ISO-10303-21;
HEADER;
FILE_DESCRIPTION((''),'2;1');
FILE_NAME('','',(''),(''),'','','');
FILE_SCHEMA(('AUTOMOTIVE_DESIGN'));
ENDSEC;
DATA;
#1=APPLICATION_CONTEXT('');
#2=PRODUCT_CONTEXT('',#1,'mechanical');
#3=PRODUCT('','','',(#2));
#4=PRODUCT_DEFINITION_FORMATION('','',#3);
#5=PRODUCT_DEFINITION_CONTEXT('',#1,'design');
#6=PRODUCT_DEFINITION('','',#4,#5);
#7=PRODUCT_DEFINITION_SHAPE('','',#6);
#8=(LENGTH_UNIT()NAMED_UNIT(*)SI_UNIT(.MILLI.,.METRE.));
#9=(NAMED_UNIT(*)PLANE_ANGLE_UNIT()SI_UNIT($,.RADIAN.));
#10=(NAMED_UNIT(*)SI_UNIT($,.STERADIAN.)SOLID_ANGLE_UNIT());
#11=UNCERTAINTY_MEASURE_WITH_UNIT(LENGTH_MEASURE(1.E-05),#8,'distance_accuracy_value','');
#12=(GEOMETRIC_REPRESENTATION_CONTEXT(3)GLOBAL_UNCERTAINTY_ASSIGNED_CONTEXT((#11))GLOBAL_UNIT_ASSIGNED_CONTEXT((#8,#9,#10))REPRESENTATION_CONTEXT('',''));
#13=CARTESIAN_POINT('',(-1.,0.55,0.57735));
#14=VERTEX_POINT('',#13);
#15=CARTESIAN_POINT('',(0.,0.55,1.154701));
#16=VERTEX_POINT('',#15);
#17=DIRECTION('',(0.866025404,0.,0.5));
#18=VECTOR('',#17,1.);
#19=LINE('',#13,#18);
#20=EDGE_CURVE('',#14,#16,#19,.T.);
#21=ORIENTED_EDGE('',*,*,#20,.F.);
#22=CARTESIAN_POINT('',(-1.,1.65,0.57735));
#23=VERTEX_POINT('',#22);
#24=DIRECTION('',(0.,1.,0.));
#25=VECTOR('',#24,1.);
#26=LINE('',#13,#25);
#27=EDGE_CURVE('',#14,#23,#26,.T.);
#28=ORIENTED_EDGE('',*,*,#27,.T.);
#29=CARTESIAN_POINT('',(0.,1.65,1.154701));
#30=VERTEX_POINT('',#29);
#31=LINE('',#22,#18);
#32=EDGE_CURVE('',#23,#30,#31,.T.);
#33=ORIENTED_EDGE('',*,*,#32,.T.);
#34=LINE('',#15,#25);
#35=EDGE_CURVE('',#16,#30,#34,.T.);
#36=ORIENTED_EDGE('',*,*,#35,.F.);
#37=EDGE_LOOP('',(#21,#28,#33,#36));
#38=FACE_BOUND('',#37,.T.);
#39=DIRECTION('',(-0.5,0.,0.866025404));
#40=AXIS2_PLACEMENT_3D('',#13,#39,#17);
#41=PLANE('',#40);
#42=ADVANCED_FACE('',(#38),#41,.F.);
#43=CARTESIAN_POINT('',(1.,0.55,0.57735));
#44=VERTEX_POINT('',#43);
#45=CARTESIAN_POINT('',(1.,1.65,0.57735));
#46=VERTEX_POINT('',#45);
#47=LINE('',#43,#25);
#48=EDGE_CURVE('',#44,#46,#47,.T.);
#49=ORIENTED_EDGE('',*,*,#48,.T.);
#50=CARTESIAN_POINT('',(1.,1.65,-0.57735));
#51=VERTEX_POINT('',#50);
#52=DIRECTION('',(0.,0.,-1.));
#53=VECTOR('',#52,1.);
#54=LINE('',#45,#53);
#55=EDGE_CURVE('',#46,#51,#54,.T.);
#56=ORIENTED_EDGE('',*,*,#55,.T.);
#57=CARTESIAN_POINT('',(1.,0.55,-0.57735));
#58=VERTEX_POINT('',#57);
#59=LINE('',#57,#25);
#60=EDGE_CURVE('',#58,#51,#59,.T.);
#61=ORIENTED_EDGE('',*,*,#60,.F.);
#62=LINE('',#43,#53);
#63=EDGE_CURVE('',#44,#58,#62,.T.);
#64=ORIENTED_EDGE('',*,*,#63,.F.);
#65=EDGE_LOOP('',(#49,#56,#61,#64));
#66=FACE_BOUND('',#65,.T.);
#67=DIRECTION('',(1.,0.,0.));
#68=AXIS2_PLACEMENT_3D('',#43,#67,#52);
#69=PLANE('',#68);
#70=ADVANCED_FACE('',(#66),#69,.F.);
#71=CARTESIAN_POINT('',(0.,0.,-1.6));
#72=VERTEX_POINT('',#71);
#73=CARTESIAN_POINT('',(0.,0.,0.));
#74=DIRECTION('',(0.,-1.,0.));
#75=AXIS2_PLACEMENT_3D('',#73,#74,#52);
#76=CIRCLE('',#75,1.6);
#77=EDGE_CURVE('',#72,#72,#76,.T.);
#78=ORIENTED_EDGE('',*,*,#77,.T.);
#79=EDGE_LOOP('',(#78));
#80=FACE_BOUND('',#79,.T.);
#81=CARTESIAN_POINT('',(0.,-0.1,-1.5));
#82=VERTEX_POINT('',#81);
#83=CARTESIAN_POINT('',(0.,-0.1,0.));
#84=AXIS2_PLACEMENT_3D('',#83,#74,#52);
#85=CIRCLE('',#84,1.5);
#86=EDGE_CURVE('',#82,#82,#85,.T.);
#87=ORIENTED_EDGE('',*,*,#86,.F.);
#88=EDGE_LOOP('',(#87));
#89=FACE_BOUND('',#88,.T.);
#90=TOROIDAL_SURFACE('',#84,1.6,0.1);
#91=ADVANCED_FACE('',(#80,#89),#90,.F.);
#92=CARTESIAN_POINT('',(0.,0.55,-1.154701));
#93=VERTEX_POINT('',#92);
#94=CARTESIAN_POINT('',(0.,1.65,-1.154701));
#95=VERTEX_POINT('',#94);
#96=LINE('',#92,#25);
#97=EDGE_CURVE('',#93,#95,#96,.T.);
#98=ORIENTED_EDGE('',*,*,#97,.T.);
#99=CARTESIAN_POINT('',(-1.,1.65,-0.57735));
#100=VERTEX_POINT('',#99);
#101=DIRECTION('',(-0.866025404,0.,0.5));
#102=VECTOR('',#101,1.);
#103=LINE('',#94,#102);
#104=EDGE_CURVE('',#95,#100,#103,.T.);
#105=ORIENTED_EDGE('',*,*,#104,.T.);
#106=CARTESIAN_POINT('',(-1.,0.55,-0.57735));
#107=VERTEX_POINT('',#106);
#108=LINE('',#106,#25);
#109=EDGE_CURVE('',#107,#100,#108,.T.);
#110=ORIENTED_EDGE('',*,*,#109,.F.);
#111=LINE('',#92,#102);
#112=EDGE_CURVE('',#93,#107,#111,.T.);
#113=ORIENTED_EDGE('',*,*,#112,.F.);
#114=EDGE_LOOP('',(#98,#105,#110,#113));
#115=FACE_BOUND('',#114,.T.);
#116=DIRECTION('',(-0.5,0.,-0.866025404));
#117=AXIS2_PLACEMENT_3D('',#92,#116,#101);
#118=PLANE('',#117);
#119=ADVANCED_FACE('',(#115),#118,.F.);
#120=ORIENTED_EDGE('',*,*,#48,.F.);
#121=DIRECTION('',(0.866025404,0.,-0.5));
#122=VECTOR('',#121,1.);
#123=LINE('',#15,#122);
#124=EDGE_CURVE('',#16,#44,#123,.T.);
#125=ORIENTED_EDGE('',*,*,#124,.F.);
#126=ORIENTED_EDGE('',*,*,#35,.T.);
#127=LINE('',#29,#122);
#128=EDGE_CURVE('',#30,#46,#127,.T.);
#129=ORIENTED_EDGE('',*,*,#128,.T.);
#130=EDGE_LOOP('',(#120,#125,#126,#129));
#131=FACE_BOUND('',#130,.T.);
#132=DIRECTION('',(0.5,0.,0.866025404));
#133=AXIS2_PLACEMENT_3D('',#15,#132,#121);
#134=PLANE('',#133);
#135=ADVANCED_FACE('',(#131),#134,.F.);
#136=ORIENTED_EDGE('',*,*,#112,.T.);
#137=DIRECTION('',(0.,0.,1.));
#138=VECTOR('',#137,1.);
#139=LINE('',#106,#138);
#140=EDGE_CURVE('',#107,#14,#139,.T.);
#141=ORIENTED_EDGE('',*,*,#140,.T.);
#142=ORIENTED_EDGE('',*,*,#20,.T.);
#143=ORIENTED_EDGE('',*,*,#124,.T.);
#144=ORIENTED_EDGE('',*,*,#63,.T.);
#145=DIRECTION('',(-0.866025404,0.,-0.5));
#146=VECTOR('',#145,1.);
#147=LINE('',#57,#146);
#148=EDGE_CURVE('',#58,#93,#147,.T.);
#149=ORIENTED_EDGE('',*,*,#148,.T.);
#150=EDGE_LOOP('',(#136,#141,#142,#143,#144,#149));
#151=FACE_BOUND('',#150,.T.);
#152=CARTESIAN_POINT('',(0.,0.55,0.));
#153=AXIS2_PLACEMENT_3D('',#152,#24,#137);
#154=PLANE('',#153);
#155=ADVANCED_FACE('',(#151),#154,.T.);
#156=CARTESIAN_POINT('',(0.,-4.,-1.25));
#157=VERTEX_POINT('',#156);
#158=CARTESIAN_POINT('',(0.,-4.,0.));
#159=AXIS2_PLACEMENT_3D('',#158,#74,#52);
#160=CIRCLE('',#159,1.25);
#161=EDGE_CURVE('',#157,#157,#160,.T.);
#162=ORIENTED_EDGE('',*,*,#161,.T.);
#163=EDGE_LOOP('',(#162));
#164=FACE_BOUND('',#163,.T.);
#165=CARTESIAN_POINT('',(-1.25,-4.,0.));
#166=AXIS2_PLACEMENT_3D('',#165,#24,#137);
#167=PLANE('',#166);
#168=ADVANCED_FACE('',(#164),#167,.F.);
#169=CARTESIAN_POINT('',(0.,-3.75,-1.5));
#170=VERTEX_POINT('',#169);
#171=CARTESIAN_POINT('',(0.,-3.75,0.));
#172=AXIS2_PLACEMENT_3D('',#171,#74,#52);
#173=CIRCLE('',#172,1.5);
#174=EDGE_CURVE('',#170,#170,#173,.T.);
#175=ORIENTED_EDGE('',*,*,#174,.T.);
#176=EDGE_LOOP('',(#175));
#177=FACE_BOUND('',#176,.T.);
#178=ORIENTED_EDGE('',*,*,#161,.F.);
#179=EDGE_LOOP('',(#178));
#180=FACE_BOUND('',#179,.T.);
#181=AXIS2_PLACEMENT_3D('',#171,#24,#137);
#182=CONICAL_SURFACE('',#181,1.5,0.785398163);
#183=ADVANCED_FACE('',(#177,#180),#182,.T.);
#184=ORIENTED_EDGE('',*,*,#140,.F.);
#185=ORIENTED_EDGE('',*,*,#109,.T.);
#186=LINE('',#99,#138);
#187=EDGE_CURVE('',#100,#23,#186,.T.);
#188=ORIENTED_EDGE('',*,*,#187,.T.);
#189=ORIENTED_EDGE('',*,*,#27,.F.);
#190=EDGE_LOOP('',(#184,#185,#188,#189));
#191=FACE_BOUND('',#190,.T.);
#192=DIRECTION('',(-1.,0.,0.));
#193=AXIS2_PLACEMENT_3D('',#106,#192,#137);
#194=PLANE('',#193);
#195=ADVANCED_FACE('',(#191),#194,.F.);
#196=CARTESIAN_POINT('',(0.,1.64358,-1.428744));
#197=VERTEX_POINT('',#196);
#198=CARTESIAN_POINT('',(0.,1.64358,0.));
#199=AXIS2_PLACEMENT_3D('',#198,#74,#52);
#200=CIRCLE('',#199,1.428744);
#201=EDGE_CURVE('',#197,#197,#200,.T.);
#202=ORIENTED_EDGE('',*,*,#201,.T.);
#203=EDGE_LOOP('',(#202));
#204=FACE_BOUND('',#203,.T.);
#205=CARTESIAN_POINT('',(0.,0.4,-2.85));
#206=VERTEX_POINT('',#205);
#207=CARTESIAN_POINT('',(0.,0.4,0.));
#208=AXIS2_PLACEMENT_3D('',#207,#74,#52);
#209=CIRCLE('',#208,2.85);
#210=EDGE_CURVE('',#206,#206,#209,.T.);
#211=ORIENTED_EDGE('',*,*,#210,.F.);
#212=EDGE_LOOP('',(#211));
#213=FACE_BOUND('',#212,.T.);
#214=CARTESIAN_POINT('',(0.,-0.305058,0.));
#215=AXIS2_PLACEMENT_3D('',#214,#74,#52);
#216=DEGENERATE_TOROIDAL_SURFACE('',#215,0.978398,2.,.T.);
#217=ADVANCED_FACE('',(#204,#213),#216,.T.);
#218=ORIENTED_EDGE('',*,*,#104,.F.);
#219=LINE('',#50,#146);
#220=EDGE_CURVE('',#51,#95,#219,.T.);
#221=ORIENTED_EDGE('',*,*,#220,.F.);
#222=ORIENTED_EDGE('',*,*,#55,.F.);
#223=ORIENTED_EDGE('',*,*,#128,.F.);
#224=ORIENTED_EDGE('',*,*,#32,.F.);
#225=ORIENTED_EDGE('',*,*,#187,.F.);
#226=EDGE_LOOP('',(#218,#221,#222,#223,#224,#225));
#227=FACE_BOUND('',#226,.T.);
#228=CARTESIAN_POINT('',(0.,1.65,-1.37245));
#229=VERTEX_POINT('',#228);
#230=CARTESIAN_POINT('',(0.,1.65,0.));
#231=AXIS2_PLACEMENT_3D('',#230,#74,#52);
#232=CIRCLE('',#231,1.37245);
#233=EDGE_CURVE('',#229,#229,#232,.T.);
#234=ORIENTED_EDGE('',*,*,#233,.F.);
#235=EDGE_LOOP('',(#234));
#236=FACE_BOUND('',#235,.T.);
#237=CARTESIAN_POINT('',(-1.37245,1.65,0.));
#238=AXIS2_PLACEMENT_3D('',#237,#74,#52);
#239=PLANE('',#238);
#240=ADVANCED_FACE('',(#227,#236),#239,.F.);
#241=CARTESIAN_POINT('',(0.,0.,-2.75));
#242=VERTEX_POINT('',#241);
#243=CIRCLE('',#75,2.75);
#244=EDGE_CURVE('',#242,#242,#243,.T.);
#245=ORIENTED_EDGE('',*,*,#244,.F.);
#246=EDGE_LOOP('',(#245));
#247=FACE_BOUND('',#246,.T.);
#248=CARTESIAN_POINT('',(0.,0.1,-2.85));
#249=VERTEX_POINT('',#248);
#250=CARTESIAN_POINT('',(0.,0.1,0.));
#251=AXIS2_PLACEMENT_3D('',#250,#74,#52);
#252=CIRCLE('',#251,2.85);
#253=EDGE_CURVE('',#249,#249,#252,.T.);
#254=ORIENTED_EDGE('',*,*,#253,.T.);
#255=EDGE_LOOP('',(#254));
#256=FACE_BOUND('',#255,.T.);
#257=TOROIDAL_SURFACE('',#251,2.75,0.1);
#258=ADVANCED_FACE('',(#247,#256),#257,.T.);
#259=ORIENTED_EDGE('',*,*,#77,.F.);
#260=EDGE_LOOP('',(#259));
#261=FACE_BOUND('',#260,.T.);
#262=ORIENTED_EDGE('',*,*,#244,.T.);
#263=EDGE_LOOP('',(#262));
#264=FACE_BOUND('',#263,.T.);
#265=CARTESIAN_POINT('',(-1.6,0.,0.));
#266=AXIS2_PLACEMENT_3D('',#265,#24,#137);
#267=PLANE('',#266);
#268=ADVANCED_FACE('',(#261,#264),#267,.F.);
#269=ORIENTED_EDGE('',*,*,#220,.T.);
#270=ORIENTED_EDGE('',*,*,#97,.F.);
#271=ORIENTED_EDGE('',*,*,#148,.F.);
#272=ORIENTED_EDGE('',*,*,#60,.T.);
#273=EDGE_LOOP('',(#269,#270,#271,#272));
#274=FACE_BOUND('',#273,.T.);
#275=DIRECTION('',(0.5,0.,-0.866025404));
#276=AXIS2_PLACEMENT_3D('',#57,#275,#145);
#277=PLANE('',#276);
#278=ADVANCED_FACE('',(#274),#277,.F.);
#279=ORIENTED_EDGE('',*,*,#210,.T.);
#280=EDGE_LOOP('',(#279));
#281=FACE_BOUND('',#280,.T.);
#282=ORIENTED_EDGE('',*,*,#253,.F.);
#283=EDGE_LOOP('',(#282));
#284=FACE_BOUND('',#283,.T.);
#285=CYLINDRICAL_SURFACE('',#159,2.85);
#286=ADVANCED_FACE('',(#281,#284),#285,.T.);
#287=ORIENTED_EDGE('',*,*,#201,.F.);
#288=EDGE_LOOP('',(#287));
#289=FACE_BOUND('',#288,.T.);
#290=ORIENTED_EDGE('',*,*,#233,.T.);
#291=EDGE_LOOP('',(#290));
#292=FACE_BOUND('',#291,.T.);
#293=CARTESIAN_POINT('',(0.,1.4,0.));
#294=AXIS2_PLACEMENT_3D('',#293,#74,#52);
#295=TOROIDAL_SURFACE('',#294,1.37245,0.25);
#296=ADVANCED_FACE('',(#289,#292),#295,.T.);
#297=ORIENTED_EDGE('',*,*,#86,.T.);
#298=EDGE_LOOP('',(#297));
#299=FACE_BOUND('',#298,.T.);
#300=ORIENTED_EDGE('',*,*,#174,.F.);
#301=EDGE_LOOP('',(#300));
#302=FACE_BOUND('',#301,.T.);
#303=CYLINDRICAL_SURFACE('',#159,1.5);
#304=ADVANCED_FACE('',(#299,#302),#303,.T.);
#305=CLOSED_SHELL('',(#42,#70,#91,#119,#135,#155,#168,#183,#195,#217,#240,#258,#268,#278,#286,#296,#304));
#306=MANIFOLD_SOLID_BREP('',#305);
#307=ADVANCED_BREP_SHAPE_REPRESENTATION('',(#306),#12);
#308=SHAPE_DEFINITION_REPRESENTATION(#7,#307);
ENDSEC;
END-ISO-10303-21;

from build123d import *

# Parameters (mm, degrees)
CUT_EXTRUDE1_DEPTH = 1.1


with BuildPart() as part:
    # Sketch1 → Revolve1 (revolve)
    with BuildSketch(Plane.XY, mode=Mode.PRIVATE) as revolve1_sk:
        with BuildLine():
            Line((-1.5, -0.1), (-1.5, -3.75))
            Line((-1.5, -3.75), (-1.25, -4))
            Line((-1.25, -4), (0, -4))
            Line((0, -4), (0, 1.65))
            Line((0, 1.65), (-1.372450351, 1.65))
            ThreePointArc((-1.372450351, 1.65), (-1.400779398, 1.648389744), (-1.42874351, 1.643579721))
            ThreePointArc((-1.42874351, 1.643579721), (-2.295395633, 1.200105689), (-2.85, 0.4))
            Line((-2.85, 0.4), (-2.85, 0.1))
            ThreePointArc((-2.85, 0.1), (-2.820710678, 0.029289322), (-2.75, 0))
            Line((-2.75, 0), (-1.6, 0))
            ThreePointArc((-1.6, 0), (-1.529289322, -0.029289322), (-1.5, -0.1))
        make_face()
    revolve(revolve1_sk.sketch.rotate(Axis((0, -4, 0), (0, 1, 0)), 270), axis=Axis((0, -4, 0), (0, 1, 0)))

    # Sketch2 → Cut-Extrude1 (cut)
    with BuildSketch(Plane(origin=(0, 1.65, 0), x_dir=(1, 0, 0), z_dir=(0, 1, 0))):
        Polygon((-1, 0.577350269), (-1, -0.577350269), (0, -1.154700538), (1, -0.577350269), (1, 0.577350269), (0, 1.154700538), align=None)
    extrude(amount=-CUT_EXTRUDE1_DEPTH, mode=Mode.SUBTRACT)


solid = part.part
